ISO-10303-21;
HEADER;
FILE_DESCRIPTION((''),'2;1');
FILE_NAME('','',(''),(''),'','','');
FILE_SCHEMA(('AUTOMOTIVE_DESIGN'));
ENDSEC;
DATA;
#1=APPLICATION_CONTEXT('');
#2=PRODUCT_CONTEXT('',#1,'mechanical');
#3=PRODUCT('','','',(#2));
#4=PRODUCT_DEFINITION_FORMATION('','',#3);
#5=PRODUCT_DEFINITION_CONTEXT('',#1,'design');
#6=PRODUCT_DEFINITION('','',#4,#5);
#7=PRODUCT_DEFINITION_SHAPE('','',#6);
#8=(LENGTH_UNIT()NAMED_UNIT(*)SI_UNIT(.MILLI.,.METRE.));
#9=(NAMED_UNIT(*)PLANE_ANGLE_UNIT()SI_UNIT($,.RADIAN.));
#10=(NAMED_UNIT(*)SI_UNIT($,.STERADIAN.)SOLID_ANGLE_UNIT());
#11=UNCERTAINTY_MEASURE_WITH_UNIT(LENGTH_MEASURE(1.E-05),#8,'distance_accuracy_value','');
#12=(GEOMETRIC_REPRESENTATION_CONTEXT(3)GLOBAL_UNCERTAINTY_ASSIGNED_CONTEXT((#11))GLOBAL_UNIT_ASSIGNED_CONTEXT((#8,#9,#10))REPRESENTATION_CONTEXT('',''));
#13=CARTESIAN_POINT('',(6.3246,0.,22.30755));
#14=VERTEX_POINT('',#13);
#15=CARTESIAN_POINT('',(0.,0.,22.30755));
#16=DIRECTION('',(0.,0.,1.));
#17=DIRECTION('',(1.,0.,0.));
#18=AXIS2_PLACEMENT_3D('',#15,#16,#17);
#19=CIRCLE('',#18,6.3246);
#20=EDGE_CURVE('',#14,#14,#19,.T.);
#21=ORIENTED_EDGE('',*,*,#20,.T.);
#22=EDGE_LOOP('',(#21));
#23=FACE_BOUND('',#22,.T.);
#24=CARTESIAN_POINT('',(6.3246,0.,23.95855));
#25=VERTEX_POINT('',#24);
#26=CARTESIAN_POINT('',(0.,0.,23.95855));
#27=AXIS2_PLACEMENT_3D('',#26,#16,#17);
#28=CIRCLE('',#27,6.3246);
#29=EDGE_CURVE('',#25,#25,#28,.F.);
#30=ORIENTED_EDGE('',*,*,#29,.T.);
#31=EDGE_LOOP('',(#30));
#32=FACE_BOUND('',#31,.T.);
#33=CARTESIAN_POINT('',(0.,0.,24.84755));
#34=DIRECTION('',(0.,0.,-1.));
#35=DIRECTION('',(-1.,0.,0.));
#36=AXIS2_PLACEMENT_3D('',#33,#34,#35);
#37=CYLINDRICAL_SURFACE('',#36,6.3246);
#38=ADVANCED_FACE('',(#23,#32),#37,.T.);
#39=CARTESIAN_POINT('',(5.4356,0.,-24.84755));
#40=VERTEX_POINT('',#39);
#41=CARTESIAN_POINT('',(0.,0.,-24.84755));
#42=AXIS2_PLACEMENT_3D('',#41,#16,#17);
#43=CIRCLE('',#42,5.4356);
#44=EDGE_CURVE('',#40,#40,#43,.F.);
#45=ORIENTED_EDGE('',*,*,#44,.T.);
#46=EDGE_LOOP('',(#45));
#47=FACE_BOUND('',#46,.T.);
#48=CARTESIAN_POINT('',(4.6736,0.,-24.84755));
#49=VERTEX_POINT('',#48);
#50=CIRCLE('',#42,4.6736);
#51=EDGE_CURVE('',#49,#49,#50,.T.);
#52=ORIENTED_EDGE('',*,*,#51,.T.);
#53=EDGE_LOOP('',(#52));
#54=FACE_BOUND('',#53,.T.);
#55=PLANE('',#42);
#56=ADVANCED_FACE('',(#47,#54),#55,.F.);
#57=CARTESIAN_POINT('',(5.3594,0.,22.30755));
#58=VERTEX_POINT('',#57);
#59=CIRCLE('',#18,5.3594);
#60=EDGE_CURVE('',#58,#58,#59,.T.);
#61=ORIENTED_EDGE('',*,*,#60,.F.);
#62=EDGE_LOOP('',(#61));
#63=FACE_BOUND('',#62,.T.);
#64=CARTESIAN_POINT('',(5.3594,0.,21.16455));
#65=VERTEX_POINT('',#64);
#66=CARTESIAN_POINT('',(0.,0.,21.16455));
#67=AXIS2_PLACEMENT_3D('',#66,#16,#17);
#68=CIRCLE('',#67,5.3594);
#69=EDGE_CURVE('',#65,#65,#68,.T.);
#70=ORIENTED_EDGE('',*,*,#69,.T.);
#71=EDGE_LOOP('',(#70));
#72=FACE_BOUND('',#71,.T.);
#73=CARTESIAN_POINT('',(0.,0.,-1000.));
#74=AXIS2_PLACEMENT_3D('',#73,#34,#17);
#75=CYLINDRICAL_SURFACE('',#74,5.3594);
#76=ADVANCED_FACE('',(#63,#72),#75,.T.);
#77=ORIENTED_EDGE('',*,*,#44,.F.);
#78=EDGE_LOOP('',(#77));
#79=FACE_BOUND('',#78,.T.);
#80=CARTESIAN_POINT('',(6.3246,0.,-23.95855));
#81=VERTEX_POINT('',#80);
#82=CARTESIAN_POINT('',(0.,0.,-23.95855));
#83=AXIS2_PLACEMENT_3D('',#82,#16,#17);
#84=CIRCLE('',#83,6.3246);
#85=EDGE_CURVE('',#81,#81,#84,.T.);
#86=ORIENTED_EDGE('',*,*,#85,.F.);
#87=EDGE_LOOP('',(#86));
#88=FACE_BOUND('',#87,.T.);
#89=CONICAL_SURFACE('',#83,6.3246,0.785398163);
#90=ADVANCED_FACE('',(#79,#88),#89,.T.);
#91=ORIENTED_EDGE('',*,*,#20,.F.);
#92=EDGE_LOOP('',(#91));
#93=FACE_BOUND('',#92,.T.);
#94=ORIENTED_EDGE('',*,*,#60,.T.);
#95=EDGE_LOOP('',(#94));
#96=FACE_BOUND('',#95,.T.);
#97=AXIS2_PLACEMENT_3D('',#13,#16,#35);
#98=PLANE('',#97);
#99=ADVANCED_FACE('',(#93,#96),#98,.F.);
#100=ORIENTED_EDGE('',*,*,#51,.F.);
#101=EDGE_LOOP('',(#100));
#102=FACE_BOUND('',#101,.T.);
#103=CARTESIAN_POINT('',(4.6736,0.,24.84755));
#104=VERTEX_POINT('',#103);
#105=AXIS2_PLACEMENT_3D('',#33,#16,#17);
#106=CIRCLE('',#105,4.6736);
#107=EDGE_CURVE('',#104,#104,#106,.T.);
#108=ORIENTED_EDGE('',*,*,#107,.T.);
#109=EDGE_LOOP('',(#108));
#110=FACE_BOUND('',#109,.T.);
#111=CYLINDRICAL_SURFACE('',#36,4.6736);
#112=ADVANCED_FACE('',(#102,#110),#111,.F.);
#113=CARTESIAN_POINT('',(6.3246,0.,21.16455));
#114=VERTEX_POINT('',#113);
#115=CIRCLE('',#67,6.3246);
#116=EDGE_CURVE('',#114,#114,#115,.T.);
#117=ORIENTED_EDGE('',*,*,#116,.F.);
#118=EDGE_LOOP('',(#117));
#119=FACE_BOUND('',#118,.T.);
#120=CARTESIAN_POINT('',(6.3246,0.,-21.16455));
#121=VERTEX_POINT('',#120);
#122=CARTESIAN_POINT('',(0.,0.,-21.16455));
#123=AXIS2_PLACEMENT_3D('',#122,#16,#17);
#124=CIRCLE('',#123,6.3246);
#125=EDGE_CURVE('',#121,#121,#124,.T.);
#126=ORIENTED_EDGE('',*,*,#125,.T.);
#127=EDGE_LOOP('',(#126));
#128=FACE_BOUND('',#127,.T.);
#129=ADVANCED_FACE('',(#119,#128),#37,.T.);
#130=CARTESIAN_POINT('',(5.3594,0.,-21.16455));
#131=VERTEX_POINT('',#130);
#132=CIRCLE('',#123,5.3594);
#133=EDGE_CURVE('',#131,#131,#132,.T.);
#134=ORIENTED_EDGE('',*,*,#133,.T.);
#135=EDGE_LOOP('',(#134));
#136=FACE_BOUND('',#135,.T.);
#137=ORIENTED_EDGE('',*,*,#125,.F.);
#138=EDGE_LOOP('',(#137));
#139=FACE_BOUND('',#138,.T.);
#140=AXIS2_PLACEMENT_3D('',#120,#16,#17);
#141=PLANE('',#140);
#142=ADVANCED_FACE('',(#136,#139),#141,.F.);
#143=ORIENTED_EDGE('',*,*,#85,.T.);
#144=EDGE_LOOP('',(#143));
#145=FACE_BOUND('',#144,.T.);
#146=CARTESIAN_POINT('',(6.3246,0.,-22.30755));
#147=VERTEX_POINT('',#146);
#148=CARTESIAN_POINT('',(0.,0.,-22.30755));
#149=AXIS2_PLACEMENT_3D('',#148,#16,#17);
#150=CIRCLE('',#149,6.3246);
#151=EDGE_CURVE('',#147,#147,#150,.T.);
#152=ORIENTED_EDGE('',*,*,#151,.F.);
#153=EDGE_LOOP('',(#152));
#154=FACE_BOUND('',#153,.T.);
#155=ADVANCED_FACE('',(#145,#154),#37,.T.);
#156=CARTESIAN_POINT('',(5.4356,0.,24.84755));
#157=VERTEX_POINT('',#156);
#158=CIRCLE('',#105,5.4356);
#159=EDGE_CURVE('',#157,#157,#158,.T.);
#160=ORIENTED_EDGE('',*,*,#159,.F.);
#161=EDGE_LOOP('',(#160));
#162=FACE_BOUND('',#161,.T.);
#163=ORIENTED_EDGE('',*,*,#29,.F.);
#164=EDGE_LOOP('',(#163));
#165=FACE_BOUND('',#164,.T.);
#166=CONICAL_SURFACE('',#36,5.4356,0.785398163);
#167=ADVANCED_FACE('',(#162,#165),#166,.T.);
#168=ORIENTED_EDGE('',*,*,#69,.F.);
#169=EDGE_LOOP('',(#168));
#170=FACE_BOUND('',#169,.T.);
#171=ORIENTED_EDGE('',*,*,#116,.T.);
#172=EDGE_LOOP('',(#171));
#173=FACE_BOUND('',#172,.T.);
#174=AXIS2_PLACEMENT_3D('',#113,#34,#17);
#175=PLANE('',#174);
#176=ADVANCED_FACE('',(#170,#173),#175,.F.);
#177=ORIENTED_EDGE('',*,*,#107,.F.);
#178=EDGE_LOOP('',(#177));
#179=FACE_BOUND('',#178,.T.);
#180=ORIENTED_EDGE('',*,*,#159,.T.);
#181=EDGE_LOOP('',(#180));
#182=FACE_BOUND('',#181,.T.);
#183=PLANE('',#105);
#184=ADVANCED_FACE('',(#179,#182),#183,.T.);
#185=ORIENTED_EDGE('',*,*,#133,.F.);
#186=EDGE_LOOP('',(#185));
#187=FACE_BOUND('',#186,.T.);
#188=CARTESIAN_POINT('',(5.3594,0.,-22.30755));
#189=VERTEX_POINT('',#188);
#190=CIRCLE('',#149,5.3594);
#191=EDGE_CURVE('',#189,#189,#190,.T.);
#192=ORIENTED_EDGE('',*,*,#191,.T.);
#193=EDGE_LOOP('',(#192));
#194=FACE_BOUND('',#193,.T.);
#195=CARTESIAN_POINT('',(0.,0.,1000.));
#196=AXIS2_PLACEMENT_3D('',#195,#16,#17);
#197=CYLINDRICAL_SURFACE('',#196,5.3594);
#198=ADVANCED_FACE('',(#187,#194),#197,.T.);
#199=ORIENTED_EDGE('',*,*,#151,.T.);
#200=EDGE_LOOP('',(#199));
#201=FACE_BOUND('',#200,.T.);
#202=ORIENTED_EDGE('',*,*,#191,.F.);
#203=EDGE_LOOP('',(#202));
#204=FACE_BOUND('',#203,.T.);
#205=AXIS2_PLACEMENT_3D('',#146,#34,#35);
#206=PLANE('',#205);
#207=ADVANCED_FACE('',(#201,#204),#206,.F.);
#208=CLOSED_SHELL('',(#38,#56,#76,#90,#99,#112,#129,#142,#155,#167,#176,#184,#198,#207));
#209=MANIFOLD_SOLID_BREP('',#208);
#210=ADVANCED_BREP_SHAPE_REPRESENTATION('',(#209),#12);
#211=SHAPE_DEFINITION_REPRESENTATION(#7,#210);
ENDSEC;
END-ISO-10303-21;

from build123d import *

# Parameters (mm, degrees)
SKETCH1_R           = 6.3246
SKETCH1_R_2         = 4.6736
BOSS_EXTRUDE1_DEPTH = 24.84755
SKETCH2_W           = 0.9652
SKETCH2_H           = 1.143
CHAMFER1_SIZE       = 0.889


with BuildPart() as part:
    # Sketch1 → Boss-Extrude1 (new body, symmetric)
    with BuildSketch(Plane.XY):
        Circle(SKETCH1_R)
        Circle(SKETCH1_R_2, mode=Mode.SUBTRACT)
    extrude(amount=BOSS_EXTRUDE1_DEPTH, both=True)

    # Sketch2 → Cut-Revolve1 (revolve, cut)
    with BuildSketch(Plane(origin=(0, 0, 0), x_dir=(1, 0, 0), z_dir=(0, 1, 0))):
        with Locations((5.842, 21.73605)):
            Rectangle(SKETCH2_W, SKETCH2_H)
    cut_revolve1 = revolve(axis=Axis((0, 0, 1000), (0, 0, -1)), mode=Mode.SUBTRACT)

    # Mirror1: Cut-Revolve1 across plane
    add(cut_revolve1.mirror(Plane.XY), mode=Mode.SUBTRACT)

    # Chamfer1
    chamfer1_edges = [part.edges().sort_by_distance(p)[0] for p in [
        (-6.3246, 0, -24.84755),
        (-6.3246, 0, 24.84755),
    ]]
    chamfer(chamfer1_edges, length=CHAMFER1_SIZE)


solid = part.part
